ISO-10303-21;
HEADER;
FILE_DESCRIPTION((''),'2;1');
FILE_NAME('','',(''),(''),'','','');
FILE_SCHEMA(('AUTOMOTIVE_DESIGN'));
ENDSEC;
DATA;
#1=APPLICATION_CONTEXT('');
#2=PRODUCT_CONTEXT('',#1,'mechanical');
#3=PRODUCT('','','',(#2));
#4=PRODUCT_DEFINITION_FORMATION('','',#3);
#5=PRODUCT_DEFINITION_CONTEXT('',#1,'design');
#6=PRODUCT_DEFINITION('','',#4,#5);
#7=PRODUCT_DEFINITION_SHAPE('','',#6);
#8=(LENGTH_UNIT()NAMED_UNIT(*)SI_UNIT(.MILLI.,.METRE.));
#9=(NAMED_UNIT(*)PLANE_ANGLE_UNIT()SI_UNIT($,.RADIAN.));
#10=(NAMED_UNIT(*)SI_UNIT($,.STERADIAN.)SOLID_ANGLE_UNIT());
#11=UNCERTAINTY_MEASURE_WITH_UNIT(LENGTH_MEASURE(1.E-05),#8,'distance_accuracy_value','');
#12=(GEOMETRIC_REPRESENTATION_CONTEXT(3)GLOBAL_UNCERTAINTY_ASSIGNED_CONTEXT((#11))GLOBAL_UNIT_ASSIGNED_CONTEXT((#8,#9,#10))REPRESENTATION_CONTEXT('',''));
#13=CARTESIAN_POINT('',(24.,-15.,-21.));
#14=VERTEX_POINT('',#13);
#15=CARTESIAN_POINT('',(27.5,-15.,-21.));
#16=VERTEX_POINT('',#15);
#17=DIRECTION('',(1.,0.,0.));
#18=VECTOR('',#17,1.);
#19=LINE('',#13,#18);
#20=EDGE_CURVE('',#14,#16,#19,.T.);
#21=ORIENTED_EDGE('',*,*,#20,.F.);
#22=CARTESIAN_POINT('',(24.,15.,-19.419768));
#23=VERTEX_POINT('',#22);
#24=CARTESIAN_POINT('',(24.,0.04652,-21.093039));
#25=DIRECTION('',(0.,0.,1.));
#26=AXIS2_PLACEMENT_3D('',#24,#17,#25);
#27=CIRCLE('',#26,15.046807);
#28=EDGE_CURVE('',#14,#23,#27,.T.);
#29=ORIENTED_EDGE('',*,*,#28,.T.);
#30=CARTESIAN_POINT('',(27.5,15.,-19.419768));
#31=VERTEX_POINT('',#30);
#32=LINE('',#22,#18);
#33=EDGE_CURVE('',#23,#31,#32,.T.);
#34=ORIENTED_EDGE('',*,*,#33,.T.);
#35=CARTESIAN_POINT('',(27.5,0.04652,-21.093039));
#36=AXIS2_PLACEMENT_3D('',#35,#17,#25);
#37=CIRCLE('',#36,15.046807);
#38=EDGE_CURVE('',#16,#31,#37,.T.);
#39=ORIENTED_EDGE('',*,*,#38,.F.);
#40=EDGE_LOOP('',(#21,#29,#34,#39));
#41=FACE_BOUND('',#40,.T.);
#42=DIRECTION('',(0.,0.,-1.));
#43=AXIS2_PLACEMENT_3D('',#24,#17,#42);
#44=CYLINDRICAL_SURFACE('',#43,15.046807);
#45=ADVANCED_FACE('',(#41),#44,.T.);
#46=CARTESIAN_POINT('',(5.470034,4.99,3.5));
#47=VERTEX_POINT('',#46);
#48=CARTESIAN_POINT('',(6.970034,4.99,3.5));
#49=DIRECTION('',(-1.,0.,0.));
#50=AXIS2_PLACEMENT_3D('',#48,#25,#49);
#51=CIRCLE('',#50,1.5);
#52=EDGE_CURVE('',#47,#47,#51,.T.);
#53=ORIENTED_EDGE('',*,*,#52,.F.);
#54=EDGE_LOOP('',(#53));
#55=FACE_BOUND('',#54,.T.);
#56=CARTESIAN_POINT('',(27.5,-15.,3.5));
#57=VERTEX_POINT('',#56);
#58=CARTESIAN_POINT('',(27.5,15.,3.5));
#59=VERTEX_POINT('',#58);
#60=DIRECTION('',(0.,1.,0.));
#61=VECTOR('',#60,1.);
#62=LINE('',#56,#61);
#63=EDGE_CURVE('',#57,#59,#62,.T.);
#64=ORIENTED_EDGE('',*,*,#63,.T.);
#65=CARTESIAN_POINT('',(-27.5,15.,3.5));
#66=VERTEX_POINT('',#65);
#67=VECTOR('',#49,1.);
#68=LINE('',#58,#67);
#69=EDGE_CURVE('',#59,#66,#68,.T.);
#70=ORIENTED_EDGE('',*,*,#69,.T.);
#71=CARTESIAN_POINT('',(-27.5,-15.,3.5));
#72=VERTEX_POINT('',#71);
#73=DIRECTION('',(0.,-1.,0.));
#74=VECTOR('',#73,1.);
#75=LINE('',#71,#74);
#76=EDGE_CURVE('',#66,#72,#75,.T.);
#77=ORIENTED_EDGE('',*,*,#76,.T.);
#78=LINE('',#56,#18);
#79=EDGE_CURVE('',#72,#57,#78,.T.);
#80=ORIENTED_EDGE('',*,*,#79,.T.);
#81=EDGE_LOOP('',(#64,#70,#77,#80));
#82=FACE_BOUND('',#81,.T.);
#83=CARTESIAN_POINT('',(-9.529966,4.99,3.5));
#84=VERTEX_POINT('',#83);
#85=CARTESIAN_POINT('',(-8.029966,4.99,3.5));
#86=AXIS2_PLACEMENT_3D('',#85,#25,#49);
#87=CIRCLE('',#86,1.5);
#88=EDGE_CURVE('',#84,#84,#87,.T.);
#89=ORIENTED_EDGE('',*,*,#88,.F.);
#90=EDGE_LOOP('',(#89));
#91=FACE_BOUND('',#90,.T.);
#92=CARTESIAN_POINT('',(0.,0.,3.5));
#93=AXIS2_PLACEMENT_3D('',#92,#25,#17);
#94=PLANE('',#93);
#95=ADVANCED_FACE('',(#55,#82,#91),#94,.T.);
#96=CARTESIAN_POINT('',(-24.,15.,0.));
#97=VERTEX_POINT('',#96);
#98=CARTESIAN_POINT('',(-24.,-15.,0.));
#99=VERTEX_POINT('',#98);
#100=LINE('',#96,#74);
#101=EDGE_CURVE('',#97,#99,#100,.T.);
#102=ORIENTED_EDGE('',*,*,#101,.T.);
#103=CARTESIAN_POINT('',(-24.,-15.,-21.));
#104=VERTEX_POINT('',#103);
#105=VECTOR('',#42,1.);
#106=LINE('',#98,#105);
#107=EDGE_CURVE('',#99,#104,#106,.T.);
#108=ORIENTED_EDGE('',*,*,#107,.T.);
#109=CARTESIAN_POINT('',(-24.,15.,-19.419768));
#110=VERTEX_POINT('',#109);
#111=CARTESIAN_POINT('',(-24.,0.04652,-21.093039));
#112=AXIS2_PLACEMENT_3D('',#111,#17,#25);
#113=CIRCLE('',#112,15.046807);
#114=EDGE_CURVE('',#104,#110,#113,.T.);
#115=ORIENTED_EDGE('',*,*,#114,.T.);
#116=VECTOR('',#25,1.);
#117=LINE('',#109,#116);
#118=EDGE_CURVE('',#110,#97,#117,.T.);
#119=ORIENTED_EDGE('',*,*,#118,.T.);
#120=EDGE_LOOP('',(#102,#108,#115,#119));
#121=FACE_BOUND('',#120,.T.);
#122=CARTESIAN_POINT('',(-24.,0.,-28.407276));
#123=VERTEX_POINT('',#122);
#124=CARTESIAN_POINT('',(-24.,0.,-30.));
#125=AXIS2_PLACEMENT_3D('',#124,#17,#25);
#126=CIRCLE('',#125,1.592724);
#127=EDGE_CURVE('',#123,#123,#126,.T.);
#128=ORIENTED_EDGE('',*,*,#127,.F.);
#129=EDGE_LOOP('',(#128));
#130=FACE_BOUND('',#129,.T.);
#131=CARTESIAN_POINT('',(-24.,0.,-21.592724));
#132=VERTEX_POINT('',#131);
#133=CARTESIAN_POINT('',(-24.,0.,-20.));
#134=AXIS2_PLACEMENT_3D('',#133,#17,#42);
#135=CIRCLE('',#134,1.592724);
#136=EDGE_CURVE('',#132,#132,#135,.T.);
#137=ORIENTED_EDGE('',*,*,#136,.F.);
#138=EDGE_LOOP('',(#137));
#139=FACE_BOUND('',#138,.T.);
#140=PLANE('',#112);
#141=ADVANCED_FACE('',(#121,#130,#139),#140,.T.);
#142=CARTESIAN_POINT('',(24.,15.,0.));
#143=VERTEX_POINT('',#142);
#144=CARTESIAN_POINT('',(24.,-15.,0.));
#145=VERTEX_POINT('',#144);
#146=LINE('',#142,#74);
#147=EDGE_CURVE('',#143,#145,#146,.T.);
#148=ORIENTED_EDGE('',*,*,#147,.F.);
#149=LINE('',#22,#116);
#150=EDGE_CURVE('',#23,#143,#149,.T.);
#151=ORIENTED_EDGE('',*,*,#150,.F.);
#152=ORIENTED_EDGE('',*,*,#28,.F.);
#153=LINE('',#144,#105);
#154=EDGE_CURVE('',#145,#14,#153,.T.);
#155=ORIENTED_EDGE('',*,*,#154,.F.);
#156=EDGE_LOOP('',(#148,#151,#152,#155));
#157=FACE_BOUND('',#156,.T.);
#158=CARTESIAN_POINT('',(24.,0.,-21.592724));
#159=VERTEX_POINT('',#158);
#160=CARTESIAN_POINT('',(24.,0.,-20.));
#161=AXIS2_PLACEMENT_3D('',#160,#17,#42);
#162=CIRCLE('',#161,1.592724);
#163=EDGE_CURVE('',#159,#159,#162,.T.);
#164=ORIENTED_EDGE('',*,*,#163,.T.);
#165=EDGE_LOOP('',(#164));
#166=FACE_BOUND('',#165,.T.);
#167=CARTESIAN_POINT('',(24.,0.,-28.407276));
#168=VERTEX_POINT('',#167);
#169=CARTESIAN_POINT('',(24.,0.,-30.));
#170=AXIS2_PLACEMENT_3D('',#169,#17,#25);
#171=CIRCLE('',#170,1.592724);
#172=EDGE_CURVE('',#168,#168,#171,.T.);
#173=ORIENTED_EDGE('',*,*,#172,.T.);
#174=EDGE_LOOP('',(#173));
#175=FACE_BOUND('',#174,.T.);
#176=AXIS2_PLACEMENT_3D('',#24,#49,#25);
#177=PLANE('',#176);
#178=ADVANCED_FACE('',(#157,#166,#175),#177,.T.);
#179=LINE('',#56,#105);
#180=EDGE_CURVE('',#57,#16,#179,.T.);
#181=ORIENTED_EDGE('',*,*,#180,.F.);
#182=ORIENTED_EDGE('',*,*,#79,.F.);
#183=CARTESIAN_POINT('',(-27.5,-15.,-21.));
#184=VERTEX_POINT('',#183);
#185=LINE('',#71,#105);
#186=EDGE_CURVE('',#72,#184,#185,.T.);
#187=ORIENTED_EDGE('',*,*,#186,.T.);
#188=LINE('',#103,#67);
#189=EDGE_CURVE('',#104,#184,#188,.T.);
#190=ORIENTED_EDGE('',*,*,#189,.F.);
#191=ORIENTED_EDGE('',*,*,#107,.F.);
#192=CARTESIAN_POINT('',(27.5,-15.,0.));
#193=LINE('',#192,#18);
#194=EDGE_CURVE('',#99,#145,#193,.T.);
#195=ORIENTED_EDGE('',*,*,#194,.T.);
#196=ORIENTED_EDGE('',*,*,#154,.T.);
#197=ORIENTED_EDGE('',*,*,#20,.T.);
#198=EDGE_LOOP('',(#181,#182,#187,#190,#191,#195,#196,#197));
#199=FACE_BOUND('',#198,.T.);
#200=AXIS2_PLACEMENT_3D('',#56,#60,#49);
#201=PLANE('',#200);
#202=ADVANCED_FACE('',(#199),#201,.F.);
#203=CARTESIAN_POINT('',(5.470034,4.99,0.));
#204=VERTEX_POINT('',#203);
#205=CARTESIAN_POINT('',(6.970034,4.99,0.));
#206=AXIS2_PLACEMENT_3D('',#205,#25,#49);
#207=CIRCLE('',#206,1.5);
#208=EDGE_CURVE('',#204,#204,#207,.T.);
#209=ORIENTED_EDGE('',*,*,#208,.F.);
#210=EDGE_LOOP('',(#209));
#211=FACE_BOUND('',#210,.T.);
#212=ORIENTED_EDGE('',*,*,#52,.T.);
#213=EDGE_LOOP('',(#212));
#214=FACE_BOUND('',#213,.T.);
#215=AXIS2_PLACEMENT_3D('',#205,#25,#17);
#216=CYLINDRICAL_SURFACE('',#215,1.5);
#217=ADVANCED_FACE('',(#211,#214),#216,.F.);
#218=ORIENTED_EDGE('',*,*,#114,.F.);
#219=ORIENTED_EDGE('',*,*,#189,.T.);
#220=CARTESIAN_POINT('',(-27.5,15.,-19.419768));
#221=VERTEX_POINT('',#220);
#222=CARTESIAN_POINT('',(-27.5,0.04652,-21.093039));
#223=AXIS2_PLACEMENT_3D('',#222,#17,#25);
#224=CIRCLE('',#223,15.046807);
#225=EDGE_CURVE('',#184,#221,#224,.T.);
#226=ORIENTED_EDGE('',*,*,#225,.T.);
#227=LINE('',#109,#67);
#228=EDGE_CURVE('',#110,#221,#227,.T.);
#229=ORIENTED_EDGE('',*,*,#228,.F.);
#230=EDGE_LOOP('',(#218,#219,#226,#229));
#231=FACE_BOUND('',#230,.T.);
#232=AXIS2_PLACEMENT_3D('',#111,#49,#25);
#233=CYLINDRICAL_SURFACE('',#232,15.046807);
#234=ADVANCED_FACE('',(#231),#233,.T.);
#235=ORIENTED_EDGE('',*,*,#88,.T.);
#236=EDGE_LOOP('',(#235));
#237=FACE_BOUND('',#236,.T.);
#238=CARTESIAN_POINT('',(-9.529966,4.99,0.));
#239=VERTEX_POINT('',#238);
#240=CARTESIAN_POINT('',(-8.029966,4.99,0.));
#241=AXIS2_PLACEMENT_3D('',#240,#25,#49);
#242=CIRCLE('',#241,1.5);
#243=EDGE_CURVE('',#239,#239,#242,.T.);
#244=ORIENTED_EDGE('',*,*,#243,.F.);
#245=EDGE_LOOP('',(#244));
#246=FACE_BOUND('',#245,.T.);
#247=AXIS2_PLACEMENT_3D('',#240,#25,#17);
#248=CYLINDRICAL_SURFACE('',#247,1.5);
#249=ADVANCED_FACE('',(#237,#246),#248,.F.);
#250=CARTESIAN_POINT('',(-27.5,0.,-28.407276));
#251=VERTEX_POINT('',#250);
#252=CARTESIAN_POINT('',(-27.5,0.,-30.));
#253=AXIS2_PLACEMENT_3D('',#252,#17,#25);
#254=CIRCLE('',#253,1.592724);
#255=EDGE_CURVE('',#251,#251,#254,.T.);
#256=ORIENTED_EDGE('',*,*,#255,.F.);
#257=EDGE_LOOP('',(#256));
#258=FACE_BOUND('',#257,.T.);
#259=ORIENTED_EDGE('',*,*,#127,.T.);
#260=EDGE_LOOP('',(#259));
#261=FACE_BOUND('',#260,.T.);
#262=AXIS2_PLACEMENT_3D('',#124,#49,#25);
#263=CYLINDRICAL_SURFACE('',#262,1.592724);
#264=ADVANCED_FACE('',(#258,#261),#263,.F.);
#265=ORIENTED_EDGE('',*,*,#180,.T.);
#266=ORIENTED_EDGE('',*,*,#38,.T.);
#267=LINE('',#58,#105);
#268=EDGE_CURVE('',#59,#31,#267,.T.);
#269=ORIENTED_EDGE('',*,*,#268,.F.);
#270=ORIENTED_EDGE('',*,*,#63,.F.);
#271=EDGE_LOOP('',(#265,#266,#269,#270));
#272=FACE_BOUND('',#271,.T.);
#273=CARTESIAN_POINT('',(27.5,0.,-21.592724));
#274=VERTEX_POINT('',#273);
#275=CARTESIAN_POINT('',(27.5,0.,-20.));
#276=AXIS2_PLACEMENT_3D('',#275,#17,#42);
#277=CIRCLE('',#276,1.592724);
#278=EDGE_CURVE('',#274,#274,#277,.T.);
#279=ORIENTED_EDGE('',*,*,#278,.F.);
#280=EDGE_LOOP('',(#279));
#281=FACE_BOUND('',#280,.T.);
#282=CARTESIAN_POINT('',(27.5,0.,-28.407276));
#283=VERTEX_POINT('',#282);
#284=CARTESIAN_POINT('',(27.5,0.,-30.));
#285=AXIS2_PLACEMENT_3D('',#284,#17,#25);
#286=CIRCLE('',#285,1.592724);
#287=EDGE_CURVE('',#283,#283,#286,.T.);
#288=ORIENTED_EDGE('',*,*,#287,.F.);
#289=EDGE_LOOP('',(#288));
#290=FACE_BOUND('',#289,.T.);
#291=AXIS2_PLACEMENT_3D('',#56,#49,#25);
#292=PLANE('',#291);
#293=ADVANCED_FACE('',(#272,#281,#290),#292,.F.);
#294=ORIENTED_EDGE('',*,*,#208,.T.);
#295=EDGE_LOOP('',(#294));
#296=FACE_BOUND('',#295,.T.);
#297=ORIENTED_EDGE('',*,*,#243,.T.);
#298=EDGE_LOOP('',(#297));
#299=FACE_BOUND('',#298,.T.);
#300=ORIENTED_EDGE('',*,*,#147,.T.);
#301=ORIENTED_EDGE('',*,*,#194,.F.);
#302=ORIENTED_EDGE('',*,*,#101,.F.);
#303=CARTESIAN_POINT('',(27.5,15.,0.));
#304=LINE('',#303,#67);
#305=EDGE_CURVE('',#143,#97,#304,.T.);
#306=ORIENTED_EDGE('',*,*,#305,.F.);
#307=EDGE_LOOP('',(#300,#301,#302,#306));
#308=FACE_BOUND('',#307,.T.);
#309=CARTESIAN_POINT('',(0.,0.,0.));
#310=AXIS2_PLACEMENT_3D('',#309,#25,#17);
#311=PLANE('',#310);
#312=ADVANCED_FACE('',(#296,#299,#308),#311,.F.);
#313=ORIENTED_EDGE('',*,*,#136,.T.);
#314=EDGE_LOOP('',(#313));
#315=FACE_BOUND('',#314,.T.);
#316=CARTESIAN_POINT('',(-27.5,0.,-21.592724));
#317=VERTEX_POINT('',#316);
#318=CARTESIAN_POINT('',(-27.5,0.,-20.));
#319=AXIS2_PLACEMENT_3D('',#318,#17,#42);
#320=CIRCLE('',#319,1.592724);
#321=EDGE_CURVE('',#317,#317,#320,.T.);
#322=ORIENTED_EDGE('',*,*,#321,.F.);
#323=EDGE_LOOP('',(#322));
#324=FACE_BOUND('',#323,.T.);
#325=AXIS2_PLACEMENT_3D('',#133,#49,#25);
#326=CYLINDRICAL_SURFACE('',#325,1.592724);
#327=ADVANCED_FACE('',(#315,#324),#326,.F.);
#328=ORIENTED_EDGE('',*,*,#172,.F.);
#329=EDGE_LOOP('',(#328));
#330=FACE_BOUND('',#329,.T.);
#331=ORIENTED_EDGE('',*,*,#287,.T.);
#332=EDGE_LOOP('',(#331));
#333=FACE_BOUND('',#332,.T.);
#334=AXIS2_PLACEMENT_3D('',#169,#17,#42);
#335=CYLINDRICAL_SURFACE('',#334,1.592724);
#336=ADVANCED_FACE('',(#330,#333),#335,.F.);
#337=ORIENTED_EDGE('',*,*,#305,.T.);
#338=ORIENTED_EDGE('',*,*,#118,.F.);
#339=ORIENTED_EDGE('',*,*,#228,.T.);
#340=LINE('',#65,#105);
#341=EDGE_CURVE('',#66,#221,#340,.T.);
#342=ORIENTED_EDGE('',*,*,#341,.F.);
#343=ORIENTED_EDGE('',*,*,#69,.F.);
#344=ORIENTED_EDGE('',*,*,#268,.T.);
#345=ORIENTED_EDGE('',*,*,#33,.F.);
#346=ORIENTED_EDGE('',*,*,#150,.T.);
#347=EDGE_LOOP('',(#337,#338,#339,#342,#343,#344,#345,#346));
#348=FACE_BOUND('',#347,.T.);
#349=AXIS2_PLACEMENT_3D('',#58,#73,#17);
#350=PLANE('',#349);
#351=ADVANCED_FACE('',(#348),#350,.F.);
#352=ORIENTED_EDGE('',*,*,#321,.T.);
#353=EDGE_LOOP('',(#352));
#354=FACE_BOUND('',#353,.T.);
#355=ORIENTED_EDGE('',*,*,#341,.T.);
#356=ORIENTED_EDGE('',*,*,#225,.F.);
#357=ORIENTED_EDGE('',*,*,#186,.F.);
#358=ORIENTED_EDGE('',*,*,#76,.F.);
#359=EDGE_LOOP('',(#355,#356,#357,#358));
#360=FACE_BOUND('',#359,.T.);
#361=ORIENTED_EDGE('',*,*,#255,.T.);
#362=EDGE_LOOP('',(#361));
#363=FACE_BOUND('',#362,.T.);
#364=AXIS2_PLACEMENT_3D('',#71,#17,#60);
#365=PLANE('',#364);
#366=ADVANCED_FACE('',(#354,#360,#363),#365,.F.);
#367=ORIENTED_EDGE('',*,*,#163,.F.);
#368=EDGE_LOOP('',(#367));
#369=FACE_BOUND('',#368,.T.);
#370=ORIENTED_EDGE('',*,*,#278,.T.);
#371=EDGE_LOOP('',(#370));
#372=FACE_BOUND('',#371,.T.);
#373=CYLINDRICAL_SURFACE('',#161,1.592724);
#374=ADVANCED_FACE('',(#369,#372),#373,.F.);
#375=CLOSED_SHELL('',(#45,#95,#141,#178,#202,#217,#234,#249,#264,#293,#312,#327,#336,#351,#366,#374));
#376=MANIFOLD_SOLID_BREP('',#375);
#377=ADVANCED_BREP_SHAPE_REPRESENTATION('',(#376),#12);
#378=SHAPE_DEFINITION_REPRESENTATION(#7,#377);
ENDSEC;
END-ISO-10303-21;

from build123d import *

# Parameters (mm, degrees)
SKETCH_1_W          = 55
SKETCH_1_H          = 30
EXTRUDE_1_DEPTH     = 3.5
SKETCH_2_R          = 1.592723526
EXTRUDE_2_DEPTH     = 3.5
SKETCH_3_R          = 1.5
CUT_EXTRUDE_1_DEPTH = 3.5


with BuildPart() as part:
    # 草图1 → 凸台-拉伸1 (new body)
    with BuildSketch(Plane.XY):
        Rectangle(SKETCH_1_W, SKETCH_1_H)
    extrude(amount=EXTRUDE_1_DEPTH)

    # 草图2 → 凸台-拉伸2 (add)
    with BuildSketch(Plane(origin=(27.5, 0, 0), x_dir=(0, 0, -1), z_dir=(1, 0, 0))):
        with BuildLine():
            Line((0, 15), (0, -15))
            Line((0, -15), (21, -15))
            ThreePointArc((21, -15), (36.119015722, 0.838004237), (19.419767517, 15))
            Line((19.419767517, 15), (0, 15))
        make_face()
        with Locations((20, 0)):
            Circle(SKETCH_2_R, mode=Mode.SUBTRACT)
        with Locations(Location((30, 0, 0), (0, 0, 180))):
            Circle(SKETCH_2_R, mode=Mode.SUBTRACT)
    extrude_2 = extrude(amount=-EXTRUDE_2_DEPTH)

    # 镜向1: 凸台-拉伸2 across plane
    add(extrude_2.mirror(Plane(origin=(0, 0, 0), x_dir=(0, 0, 1), z_dir=(1, 0, 0))))

    # 草图3 → 切除-拉伸1 (cut)
    with BuildSketch(Plane.XY.offset(3.5)):
        with Locations(Location((6.970033691, 4.99, 0), (0, 0, 180))):
            Circle(SKETCH_3_R)
        with Locations(Location((-8.029966309, 4.99, 0), (0, 0, 180))):
            Circle(SKETCH_3_R)
    extrude(amount=-CUT_EXTRUDE_1_DEPTH, mode=Mode.SUBTRACT)


solid = part.part
